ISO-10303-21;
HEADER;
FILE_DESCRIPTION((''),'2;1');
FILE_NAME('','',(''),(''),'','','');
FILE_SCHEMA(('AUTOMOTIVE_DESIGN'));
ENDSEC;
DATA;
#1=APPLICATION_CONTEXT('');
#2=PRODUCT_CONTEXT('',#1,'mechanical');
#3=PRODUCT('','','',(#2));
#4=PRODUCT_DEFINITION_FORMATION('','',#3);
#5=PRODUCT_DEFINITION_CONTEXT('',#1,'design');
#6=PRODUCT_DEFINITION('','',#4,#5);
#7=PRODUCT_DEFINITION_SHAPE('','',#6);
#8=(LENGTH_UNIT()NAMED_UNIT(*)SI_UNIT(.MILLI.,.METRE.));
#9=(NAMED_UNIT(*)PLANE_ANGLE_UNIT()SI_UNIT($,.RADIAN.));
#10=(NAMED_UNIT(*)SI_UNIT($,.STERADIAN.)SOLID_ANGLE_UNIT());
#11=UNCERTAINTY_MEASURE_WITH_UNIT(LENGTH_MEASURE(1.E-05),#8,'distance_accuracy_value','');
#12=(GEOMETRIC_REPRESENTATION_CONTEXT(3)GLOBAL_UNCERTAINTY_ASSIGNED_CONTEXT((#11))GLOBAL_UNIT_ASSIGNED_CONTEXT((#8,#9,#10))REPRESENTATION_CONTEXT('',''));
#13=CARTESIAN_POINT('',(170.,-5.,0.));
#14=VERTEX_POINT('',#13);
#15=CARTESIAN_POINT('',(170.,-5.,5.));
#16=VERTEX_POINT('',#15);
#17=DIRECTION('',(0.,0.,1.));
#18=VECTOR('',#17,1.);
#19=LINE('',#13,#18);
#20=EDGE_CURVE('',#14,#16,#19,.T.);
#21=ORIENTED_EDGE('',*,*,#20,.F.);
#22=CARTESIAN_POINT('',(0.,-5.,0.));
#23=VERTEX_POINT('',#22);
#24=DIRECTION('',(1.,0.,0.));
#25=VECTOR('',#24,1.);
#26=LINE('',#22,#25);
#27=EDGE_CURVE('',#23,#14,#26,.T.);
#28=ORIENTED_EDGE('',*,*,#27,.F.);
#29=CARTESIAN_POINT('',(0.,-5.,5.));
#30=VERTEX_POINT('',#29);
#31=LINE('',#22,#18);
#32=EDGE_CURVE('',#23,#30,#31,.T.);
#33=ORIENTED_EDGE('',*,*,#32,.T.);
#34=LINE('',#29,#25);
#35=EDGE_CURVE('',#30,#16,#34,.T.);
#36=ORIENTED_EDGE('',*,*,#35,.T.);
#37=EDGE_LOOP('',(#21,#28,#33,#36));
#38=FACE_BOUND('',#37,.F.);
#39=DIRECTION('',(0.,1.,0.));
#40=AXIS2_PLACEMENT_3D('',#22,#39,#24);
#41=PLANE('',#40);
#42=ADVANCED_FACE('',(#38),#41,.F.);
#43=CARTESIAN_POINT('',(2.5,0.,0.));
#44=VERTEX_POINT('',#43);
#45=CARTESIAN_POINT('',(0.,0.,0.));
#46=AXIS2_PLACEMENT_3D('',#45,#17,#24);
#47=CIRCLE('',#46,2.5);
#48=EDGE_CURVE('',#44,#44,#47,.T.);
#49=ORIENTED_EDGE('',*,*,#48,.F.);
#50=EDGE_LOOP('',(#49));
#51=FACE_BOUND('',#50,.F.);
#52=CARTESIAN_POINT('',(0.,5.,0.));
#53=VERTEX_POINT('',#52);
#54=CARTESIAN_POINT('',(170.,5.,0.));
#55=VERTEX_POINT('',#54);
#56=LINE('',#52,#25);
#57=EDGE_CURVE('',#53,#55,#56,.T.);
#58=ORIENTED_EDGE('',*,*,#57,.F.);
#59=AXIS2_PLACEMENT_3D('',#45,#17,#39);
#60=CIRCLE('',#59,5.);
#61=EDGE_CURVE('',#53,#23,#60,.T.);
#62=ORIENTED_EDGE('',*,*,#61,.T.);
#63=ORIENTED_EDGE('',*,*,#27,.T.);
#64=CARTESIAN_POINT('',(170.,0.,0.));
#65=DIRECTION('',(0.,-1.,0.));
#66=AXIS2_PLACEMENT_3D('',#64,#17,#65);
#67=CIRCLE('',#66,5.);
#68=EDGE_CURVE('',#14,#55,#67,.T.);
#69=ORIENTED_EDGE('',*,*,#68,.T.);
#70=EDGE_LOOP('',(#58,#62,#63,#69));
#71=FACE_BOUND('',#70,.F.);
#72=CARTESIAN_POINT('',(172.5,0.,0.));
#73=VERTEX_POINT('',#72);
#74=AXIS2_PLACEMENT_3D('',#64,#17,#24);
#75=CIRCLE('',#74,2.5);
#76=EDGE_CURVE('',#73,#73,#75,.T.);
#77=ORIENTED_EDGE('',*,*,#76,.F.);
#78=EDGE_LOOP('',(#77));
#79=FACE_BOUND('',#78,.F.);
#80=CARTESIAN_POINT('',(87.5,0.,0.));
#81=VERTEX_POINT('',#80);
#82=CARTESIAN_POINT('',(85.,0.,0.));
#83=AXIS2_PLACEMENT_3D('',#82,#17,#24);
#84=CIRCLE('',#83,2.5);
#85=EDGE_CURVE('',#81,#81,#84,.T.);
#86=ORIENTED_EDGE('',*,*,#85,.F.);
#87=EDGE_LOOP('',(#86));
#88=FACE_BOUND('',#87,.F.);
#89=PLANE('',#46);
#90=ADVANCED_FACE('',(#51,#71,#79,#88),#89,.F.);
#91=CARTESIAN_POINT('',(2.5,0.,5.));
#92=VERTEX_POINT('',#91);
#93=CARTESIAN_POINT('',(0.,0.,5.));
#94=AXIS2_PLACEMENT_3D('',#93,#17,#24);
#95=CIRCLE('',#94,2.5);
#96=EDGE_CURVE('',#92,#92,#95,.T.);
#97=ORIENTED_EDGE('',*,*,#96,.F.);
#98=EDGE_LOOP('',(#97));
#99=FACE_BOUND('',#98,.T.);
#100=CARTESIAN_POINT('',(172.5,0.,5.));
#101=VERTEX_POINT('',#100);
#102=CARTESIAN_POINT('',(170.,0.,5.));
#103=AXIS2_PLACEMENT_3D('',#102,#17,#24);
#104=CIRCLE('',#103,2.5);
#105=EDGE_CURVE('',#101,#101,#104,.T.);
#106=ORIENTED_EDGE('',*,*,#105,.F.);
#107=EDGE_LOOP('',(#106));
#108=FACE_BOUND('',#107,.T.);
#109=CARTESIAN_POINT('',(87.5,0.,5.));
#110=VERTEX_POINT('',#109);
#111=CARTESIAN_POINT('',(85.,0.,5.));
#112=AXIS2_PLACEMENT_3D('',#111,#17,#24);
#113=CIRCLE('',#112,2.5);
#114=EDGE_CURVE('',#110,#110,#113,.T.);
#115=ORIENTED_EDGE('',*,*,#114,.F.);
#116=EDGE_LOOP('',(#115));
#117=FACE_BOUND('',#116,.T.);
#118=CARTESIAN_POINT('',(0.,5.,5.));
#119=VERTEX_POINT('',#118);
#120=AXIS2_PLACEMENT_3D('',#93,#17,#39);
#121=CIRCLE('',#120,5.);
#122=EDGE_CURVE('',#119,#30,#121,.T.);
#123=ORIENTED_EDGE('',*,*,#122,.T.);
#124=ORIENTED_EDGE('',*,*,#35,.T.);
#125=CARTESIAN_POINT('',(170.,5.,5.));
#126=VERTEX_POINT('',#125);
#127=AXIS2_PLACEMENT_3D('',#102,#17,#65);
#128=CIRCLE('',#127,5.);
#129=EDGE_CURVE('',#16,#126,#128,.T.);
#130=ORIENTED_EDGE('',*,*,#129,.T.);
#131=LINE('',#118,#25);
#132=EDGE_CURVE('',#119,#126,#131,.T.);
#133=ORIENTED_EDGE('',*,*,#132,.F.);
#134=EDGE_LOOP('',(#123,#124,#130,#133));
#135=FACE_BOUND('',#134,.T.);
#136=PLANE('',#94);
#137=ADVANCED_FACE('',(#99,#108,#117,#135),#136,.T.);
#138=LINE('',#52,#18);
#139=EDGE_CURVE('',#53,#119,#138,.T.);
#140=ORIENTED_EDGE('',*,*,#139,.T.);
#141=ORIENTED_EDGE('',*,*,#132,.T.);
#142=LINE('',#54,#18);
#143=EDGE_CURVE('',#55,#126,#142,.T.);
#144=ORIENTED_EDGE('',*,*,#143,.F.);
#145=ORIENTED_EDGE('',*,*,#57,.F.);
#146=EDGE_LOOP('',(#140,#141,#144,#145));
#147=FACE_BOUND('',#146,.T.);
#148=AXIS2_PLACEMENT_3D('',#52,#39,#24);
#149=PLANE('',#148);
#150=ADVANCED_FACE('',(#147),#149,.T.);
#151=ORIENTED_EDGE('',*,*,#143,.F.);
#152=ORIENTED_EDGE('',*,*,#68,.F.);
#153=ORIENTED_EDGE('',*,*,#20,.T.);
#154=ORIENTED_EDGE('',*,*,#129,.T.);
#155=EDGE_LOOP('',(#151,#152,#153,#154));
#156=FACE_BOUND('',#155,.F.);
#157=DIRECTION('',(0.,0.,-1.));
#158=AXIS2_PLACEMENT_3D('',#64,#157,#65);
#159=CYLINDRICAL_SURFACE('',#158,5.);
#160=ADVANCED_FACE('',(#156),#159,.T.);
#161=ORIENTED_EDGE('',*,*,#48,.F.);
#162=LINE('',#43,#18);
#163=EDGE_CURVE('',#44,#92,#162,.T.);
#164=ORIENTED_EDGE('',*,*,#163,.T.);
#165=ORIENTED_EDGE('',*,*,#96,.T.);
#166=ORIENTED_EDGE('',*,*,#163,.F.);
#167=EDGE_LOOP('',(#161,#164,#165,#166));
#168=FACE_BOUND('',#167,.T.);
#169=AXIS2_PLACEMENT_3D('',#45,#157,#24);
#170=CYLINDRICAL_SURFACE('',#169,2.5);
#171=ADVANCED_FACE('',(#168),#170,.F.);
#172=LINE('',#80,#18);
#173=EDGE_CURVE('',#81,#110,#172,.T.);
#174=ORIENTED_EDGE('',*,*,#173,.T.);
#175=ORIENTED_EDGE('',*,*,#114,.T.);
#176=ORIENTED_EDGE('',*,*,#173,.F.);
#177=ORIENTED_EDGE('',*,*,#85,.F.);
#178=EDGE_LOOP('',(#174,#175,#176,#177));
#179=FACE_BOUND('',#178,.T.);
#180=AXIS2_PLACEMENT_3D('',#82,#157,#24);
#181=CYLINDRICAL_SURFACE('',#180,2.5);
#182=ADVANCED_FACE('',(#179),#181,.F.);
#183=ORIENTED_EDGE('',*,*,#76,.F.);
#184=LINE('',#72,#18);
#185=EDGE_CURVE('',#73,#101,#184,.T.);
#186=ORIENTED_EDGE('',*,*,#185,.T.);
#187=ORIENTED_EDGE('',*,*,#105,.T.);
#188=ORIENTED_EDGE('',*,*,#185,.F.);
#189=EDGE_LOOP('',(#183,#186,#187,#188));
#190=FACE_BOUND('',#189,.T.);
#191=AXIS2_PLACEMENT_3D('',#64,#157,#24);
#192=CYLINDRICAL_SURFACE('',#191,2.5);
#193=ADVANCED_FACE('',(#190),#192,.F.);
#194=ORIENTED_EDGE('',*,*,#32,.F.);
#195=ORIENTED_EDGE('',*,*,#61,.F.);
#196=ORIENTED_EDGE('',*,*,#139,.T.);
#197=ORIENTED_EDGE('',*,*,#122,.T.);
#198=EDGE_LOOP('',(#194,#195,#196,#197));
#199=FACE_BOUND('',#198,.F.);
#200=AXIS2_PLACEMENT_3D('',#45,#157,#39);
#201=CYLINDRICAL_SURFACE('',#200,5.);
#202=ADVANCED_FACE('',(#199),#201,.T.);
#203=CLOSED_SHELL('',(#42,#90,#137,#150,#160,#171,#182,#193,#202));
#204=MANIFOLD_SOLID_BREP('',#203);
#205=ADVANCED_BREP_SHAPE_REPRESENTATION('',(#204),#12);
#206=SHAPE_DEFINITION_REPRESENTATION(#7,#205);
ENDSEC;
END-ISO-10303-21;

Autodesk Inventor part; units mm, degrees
ref_plane "YZ Plane" through (0, 0, 0) normal (1, 0, 0) x (0, 1, 0)
ref_plane "XZ Plane" through (0, 0, 0) normal (0, 1, 0) x (-1, 0, 0)
ref_plane "XY Plane" through (0, 0, 0) normal (0, 0, 1) x (1, 0, 0)
sketch "Boceto1" plane through (0, 0, 0) normal (0, 0, 1) x (1, 0, 0)
  arc A0 (0, 5) -> (0, -5) centre (0, 0) ccw
  arc A1 (170, -5) -> (170, 5) centre (170, 0) ccw
  line L0 (0, 5) -> (170, 5)
  line L1 (0, -5) -> (170, -5)
  circle A2 centre (0, 0) radius 2.5
  circle A3 centre (170, 0) radius 2.5
  circle A4 centre (85, 0) radius 2.5
  dimension "d1" = 10
  dimension "d2" = 10
  dimension "d3" = 5
  dimension "d4" = 5
  dimension "d8" = 5
  dimension "d11" = 85
  dimension "d12" = 85
extrude "Extrusión1" add sketch "Boceto1" along normal blind 5
properties part number "Eslabon2"
